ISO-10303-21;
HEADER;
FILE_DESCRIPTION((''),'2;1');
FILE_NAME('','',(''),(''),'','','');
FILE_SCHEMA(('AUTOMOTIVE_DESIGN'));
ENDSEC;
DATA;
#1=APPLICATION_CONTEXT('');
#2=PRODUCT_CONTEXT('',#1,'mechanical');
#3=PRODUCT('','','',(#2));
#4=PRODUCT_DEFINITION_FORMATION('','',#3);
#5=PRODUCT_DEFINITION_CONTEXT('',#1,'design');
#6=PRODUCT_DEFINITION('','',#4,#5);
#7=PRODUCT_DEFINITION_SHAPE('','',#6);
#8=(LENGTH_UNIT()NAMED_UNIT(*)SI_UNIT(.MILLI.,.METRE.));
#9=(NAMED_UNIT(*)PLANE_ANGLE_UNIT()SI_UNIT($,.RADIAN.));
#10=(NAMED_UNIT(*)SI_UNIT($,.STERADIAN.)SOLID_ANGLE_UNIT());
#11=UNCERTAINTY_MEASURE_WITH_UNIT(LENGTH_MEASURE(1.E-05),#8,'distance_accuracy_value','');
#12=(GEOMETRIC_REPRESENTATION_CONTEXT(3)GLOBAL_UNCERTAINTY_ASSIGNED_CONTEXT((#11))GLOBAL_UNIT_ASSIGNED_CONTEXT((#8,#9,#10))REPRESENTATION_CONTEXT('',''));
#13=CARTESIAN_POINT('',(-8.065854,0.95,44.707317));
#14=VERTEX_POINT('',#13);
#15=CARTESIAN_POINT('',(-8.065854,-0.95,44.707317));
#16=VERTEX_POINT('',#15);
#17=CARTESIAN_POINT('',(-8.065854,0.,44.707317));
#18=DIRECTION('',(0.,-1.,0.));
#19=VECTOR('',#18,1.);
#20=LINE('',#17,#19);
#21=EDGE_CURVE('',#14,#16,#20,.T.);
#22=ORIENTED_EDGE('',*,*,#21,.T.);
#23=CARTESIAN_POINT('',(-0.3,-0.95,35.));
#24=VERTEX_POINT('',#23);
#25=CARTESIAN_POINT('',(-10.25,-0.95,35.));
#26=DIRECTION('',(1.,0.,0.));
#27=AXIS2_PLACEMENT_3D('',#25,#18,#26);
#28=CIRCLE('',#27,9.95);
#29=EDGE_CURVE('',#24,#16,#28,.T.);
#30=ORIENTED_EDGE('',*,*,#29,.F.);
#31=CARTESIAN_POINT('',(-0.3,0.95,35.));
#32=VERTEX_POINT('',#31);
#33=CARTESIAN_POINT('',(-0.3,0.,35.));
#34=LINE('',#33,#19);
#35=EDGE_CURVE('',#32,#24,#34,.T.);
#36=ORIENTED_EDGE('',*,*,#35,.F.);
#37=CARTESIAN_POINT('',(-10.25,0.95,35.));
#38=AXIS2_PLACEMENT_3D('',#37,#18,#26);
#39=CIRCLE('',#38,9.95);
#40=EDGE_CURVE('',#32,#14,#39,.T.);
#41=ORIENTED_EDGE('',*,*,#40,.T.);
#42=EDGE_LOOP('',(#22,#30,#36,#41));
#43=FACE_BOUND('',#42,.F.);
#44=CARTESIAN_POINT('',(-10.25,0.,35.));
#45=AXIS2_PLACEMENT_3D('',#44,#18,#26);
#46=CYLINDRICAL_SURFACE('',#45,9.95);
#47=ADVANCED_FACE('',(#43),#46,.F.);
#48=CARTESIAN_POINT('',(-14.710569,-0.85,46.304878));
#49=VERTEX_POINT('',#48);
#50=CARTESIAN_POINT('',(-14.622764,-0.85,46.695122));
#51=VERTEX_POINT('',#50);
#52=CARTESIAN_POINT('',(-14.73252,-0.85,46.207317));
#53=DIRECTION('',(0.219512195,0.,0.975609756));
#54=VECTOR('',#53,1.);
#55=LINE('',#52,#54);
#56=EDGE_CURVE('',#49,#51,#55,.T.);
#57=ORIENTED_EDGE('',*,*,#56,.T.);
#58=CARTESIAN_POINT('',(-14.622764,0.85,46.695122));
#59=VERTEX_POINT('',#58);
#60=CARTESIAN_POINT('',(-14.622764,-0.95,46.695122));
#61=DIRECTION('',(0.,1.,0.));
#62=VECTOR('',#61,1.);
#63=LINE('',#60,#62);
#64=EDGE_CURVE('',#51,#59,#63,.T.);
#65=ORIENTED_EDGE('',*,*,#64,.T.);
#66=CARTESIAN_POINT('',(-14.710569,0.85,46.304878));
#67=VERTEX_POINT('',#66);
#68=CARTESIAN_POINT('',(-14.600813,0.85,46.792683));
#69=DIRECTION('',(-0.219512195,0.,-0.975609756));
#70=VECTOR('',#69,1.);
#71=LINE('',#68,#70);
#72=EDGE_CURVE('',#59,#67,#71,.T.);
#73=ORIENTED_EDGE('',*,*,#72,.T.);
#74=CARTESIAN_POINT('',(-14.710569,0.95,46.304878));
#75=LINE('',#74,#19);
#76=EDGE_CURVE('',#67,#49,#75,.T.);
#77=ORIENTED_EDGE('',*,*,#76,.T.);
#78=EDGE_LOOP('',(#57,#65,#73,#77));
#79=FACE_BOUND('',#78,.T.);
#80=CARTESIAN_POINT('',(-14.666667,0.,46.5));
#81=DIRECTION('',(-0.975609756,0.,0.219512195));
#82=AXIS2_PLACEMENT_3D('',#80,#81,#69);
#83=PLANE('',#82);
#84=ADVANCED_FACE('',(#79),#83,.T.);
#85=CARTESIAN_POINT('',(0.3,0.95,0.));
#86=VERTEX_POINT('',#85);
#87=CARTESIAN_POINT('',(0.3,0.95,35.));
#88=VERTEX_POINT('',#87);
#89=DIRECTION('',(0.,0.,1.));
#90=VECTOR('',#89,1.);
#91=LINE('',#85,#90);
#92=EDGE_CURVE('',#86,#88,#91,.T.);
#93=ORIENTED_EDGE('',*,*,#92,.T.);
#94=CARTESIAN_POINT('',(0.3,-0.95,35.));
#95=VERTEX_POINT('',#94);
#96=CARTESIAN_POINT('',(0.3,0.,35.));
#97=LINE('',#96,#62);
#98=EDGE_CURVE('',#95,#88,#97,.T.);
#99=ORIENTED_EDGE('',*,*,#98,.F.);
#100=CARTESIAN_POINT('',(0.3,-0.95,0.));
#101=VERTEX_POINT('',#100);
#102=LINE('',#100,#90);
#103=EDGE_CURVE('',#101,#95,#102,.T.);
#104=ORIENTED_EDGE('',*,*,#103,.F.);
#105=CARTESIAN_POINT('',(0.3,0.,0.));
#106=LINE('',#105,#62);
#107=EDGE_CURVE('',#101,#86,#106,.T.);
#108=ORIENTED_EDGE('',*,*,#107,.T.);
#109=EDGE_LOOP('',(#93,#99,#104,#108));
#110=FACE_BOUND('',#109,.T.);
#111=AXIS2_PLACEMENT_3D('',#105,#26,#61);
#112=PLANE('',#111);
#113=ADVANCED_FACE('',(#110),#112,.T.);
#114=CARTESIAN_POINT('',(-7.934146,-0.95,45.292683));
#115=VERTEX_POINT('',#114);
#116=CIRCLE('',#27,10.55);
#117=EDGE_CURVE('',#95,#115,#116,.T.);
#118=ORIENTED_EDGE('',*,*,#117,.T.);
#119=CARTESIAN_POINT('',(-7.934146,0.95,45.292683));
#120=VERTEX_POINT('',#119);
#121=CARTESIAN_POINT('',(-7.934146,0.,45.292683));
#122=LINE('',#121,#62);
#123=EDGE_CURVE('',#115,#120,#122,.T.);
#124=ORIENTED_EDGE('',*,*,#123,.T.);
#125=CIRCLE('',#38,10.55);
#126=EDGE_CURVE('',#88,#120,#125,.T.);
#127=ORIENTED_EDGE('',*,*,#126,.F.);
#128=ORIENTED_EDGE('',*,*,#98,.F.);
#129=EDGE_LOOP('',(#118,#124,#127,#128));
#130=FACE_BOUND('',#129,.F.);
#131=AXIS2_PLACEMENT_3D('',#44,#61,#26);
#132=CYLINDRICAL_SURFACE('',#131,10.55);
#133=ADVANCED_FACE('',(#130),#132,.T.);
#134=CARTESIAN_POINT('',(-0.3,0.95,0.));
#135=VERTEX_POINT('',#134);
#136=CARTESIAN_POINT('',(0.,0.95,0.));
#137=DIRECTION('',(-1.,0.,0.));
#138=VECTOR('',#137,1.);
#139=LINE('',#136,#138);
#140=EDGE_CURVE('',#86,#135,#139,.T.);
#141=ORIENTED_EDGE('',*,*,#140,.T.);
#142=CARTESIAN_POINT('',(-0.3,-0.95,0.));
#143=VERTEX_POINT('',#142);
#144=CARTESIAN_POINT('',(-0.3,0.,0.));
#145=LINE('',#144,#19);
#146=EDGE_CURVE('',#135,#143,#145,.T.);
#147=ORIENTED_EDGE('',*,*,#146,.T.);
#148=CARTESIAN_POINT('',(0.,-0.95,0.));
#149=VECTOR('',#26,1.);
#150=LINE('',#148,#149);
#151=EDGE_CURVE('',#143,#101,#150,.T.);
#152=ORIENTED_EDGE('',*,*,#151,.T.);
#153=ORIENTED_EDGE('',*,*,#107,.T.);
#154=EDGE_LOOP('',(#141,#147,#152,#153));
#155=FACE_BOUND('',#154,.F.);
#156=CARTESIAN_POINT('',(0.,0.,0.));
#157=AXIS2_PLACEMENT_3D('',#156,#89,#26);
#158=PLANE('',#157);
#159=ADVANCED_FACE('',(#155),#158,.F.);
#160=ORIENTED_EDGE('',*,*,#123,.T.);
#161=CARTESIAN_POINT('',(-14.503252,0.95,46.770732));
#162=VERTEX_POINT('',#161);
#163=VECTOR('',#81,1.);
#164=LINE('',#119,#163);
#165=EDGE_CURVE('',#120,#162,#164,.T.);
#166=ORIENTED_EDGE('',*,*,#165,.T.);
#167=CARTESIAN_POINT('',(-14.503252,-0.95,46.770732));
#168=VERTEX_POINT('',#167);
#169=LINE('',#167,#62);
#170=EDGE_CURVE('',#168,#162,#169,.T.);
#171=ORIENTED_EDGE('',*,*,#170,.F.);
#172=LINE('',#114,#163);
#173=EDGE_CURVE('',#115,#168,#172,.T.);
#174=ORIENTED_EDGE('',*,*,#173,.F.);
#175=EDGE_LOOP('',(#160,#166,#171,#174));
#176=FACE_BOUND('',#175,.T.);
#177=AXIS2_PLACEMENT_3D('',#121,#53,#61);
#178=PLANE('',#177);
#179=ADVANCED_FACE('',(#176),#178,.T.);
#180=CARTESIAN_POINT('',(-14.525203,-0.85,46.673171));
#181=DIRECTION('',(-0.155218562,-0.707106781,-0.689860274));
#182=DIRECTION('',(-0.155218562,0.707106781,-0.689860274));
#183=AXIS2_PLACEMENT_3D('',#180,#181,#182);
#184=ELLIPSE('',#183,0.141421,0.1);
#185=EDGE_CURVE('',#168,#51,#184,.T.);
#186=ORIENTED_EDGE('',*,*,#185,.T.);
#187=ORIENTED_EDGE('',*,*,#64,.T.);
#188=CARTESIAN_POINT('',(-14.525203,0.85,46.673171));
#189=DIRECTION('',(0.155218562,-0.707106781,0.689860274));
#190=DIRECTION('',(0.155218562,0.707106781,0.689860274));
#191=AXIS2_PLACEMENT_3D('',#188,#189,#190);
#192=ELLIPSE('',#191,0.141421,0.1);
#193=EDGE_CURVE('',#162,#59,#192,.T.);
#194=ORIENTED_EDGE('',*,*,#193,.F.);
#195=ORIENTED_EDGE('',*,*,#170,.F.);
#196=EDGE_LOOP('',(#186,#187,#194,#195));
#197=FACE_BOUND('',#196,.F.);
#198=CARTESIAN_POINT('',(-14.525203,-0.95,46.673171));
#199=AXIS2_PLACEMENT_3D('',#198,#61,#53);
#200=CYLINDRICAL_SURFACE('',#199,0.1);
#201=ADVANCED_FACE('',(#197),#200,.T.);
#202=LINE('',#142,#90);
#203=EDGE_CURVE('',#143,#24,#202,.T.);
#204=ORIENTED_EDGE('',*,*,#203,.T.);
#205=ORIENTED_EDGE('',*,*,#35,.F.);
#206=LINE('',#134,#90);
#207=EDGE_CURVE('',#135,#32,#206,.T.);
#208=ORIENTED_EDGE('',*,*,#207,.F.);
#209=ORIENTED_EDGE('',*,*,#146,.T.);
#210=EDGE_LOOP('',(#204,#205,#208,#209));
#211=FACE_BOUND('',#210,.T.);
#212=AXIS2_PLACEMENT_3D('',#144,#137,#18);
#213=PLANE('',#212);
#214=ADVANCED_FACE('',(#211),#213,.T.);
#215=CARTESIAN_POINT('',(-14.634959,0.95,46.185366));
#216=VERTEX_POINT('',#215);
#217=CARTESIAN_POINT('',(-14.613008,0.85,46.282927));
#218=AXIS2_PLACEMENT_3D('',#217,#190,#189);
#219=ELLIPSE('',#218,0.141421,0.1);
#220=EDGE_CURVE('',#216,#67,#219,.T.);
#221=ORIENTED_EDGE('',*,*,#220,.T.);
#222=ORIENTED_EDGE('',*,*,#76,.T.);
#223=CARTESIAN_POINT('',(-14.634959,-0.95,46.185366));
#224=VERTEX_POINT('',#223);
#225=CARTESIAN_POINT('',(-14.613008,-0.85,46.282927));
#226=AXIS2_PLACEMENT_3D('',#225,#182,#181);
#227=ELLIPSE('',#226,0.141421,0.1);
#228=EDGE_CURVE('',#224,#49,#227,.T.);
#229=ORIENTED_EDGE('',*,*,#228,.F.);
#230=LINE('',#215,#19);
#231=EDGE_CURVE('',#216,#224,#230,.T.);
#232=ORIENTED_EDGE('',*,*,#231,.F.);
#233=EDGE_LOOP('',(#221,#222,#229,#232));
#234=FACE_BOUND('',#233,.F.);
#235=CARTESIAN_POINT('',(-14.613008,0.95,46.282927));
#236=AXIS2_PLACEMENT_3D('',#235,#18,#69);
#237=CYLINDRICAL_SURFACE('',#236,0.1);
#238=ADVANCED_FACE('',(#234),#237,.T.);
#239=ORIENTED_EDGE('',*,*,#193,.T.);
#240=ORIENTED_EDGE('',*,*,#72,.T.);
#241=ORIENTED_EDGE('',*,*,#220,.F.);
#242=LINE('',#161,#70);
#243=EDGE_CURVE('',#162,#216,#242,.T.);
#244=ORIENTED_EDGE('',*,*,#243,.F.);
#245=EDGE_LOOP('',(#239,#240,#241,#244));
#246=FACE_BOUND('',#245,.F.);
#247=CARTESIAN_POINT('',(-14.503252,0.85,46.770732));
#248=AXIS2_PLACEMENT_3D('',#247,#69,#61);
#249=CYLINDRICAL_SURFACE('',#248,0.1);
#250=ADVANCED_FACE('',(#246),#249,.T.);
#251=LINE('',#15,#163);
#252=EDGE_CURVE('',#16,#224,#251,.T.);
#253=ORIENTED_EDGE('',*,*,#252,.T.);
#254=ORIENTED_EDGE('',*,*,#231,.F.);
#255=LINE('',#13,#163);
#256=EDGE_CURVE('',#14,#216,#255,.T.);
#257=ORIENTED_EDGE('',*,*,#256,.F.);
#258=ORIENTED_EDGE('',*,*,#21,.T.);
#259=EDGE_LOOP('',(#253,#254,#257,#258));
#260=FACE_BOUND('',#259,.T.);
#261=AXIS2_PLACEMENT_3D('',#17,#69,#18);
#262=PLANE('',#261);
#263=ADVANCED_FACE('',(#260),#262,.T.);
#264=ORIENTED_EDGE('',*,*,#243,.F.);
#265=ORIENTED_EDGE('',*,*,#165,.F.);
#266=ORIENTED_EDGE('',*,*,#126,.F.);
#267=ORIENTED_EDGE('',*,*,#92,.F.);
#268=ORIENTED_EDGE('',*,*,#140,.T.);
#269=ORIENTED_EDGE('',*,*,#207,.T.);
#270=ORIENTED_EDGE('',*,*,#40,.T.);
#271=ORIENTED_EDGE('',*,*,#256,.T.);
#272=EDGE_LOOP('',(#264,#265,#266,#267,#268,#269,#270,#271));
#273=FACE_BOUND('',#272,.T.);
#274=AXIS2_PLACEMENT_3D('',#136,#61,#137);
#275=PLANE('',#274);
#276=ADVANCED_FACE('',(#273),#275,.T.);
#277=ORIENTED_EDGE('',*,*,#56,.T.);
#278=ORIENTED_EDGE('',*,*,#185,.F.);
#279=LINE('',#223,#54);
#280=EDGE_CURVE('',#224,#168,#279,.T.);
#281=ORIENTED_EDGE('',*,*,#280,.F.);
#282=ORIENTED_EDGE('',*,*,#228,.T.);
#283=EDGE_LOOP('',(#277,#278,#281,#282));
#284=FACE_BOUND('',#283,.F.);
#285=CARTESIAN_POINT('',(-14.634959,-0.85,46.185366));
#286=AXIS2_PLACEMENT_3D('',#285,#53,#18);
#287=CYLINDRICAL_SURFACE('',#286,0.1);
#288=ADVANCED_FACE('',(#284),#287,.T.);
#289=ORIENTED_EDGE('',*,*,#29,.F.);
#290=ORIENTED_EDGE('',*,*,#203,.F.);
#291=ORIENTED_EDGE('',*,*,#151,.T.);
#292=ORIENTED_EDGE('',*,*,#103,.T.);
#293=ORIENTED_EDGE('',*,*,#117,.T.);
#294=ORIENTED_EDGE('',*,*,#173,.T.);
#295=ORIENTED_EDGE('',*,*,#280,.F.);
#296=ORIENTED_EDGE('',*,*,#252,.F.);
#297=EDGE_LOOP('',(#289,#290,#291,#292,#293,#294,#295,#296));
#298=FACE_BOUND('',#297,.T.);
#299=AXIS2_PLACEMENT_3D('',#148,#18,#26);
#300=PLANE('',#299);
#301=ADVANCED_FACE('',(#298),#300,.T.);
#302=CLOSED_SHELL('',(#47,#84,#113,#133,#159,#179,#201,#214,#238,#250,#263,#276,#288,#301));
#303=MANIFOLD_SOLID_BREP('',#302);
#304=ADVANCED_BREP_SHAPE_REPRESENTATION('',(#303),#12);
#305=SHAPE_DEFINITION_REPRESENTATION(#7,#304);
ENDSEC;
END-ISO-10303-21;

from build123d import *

# Parameters (mm, degrees)
F1_W = 0.6
F1_H = 1.9
F3_R = 0.1


with BuildPart() as f2:
    # F2: sweep along a path in F0
    with BuildLine(Plane.XZ) as f2_path:
        Line((0, 0), (0, 35))
        ThreePointArc((0, 35), (-2.2460947032, 41.4031242374), (-8, 45))
        Line((-8, 45), (-14.6666666667, 46.5))
    # F1 (on Top) → F2 (sweep)
    with BuildSketch(Plane.XY):
        Rectangle(F1_W, F1_H)
    sweep(path=f2_path.line)

    # F3
    f3_edges = [f2.edges().sort_by_distance(p)[0] for p in [
        (-14.600813, 0, 46.792683),
        (-14.73252, 0, 46.207317),
        (-14.666667, -0.95, 46.5),
        (-14.666667, 0.95, 46.5),
    ]]
    fillet(f3_edges, radius=F3_R)


solid = f2.part
